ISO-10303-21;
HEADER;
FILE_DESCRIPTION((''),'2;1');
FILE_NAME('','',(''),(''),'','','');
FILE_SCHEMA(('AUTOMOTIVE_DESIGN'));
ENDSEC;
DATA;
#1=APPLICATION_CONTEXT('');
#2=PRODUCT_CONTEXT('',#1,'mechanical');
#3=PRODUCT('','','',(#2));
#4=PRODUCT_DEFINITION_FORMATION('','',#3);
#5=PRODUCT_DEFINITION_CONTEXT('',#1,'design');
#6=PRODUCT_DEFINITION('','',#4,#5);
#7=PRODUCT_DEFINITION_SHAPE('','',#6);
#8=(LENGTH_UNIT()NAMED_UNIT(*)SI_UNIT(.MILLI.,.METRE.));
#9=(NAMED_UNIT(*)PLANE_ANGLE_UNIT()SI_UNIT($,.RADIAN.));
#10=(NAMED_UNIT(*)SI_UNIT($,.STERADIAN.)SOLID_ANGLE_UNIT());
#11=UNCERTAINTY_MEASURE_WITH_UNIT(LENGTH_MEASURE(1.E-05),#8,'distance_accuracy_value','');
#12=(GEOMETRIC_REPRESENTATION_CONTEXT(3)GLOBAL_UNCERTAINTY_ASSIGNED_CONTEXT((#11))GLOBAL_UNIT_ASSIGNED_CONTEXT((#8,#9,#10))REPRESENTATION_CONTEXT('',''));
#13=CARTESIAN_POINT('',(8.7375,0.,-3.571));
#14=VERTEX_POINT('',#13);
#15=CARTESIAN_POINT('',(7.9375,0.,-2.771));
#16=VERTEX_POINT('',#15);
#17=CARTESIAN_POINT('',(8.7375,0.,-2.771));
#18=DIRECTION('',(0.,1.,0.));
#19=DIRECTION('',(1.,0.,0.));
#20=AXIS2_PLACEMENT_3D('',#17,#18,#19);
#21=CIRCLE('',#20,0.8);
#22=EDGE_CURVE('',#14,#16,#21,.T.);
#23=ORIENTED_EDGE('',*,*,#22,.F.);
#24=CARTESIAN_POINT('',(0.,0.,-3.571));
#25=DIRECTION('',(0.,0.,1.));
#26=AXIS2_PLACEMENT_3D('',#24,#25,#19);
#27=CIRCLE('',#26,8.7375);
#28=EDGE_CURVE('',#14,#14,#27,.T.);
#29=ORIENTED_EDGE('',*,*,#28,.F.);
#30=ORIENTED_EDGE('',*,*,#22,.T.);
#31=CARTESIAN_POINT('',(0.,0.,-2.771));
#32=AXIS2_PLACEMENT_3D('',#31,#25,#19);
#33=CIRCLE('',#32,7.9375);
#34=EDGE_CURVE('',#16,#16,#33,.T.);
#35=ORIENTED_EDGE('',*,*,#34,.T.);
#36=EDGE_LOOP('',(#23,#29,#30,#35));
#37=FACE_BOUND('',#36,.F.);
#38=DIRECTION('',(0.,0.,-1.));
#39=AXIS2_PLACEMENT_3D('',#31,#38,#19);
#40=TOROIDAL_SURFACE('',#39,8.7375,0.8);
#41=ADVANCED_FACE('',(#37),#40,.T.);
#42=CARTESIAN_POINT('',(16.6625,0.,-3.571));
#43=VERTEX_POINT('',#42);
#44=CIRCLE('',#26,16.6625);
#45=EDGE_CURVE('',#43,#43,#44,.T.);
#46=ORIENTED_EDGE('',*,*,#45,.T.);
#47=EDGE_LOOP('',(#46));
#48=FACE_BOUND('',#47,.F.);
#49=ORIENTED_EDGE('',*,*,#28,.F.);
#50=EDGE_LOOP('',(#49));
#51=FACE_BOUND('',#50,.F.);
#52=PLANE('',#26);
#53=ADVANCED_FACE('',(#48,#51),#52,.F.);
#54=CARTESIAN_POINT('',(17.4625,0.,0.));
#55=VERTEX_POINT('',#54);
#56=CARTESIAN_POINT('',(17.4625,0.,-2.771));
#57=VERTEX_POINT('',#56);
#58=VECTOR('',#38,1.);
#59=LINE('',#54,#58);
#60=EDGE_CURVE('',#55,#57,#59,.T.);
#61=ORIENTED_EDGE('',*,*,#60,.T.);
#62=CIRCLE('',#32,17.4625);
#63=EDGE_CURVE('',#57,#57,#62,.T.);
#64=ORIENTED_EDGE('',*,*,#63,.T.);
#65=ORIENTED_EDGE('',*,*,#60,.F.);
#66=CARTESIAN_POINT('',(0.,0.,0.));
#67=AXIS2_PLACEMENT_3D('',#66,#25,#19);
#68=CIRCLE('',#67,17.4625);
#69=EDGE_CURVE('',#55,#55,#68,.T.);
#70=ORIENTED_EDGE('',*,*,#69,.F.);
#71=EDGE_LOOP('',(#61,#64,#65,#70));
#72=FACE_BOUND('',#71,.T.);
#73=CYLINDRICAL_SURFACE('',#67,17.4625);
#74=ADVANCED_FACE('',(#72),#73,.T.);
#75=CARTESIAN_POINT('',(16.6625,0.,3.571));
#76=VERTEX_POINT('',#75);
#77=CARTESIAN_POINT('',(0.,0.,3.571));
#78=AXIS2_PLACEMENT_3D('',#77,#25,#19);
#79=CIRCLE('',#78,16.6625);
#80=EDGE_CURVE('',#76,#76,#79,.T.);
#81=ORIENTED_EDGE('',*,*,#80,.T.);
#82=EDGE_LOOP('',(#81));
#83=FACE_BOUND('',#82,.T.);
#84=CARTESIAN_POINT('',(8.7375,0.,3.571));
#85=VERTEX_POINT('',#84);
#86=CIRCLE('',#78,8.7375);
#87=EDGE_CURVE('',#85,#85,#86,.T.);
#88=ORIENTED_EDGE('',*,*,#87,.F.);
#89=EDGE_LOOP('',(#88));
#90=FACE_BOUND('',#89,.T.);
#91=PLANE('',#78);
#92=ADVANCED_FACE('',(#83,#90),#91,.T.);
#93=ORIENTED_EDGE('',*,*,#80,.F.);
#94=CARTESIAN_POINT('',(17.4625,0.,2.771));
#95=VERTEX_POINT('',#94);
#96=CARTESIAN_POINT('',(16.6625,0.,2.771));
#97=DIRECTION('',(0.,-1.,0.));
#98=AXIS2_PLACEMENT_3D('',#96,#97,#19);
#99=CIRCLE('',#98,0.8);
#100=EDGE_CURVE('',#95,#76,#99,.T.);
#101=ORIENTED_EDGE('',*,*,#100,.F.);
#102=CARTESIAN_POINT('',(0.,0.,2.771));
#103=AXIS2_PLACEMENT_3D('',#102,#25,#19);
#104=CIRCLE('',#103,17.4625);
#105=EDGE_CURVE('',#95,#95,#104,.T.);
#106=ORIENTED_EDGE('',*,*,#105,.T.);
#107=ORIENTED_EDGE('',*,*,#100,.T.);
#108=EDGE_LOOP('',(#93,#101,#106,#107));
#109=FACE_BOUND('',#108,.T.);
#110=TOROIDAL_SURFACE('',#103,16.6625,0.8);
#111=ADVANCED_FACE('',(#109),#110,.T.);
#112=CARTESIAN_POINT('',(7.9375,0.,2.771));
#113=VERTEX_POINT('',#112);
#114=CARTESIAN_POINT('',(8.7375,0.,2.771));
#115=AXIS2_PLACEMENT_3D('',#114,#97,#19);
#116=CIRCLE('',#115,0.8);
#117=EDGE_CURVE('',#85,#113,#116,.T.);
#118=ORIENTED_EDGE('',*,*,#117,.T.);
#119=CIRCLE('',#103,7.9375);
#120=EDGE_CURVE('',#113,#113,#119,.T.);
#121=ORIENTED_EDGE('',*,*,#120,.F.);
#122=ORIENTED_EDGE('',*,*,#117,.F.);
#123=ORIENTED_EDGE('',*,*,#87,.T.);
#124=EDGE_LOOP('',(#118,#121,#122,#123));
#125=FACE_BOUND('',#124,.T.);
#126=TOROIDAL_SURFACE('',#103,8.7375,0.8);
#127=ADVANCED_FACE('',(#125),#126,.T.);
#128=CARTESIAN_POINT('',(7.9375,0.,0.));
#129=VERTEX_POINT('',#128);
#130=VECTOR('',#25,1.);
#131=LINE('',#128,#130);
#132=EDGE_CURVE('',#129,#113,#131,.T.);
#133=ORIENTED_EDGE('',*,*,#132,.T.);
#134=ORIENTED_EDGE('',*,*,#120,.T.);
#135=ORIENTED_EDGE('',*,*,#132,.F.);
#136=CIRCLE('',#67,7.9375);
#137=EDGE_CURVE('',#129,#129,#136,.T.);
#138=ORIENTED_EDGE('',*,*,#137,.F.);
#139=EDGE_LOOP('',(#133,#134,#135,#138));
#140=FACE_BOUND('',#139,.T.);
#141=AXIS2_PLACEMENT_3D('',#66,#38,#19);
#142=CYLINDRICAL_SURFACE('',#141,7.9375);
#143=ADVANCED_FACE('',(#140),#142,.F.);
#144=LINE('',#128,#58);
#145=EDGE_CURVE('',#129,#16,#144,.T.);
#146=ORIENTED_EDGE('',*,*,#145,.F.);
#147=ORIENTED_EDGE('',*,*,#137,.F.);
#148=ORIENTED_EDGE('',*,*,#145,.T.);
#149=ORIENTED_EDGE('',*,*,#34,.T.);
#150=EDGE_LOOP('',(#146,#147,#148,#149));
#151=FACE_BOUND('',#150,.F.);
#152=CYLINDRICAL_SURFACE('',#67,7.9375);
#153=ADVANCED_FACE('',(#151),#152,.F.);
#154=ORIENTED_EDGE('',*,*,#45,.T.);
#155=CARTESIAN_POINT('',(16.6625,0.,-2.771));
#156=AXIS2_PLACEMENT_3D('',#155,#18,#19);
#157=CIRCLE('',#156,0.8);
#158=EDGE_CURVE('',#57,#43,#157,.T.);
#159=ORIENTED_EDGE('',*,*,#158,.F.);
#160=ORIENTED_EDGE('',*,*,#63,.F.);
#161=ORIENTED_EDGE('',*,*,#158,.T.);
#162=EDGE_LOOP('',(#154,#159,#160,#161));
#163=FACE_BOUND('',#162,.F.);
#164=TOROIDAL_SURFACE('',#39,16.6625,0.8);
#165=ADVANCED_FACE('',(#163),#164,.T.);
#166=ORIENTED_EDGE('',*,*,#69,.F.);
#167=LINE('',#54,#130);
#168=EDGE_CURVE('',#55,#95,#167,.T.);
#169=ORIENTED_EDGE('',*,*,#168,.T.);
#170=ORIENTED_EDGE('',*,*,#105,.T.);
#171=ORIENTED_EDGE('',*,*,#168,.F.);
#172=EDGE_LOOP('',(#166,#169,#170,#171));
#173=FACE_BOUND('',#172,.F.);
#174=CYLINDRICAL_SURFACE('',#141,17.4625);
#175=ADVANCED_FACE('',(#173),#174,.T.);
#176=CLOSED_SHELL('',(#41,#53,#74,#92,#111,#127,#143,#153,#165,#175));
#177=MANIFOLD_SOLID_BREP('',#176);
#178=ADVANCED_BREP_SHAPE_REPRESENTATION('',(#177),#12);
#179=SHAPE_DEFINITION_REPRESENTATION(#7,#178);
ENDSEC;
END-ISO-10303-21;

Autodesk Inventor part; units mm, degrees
ref_plane "YZ Plane" through (0, 0, 0) normal (1, 0, 0) x (0, 1, 0)
ref_plane "XZ Plane" through (0, 0, 0) normal (0, 1, 0) x (-1, 0, 0)
ref_plane "XY Plane" through (0, 0, 0) normal (0, 0, 1) x (1, 0, 0)
sketch "スケッチ1" plane through (0, 0, 0) normal (0, 0, 1) x (1, 0, 0)
  circle A0 centre (0, 0) radius 7.9375
  circle A1 centre (0, 0) radius 17.4625
  dimension "d0" = 15.875
  dimension "d1" = 34.925
extrude "押し出し1" add sketch "スケッチ1" along normal mid plane 7.142
fillet "フィレット1" radius 0.8 4 edges at (-17.4625, 0, 3.571) (-17.4625, 0, -3.571) (-7.9375, 0, 3.571) (-7.9375, 0, -3.571)
properties part number "bearing"
